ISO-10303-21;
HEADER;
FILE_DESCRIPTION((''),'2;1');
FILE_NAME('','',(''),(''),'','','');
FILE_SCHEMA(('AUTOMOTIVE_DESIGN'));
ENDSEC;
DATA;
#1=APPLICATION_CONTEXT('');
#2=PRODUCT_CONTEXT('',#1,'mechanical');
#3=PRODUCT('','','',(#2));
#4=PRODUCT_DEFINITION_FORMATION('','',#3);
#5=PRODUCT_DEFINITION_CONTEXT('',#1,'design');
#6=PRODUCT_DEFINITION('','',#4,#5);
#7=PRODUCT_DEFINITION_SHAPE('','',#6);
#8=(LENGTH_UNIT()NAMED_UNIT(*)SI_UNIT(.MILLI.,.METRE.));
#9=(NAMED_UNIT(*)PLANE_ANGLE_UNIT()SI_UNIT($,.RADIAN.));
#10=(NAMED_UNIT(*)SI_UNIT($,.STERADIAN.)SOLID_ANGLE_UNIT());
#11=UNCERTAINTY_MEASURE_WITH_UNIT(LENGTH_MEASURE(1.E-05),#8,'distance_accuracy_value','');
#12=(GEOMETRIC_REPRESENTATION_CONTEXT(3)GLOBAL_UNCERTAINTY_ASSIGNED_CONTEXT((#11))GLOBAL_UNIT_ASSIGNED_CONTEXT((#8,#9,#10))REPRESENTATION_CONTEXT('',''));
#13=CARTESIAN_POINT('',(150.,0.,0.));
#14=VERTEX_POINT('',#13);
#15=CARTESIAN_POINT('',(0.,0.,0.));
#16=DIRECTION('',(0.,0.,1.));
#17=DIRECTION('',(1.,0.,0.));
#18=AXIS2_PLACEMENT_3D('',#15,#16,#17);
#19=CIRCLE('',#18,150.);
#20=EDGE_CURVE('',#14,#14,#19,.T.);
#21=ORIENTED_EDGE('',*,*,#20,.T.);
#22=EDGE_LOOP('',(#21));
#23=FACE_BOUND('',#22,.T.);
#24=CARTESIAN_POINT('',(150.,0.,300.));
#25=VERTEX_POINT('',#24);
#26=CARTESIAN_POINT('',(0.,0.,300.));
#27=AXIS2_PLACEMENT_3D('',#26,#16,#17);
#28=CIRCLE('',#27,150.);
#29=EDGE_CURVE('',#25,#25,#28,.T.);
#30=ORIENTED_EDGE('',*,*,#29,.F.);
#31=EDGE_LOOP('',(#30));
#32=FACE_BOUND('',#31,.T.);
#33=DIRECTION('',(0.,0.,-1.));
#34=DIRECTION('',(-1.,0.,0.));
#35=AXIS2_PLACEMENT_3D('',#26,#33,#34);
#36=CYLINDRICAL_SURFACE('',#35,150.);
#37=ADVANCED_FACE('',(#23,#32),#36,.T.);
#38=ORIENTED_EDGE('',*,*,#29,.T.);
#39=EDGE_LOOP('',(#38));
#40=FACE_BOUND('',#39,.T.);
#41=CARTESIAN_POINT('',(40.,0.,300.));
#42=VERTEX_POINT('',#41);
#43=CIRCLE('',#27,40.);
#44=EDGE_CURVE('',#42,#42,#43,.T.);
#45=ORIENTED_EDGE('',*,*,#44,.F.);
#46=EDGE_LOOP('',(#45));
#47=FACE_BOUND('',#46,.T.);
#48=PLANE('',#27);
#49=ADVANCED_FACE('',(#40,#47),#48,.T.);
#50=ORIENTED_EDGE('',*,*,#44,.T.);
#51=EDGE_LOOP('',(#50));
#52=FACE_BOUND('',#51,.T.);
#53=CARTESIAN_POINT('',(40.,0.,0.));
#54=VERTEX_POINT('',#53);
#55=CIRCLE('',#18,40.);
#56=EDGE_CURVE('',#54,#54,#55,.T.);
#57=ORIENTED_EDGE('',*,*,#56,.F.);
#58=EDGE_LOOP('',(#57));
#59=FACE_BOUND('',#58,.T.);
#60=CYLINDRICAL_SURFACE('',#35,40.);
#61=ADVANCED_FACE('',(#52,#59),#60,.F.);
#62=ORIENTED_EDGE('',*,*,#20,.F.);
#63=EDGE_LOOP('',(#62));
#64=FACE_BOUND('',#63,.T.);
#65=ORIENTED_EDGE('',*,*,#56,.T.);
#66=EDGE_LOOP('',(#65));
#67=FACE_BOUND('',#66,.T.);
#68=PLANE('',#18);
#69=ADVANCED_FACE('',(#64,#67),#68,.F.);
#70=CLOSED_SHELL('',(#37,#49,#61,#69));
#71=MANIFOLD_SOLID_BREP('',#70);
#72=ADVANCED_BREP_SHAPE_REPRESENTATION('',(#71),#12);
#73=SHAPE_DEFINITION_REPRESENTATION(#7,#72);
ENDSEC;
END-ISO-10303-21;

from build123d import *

# Parameters (mm, degrees)
CROQUIS1_R              = 150
CROQUIS1_R_2            = 40
SALIENTE_EXTRUIR1_DEPTH = 300


with BuildPart() as part:
    # Croquis1 → Saliente-Extruir1 (new body)
    with BuildSketch(Plane.XY):
        Circle(CROQUIS1_R)
        Circle(CROQUIS1_R_2, mode=Mode.SUBTRACT)
    extrude(amount=SALIENTE_EXTRUIR1_DEPTH)


solid = part.part
